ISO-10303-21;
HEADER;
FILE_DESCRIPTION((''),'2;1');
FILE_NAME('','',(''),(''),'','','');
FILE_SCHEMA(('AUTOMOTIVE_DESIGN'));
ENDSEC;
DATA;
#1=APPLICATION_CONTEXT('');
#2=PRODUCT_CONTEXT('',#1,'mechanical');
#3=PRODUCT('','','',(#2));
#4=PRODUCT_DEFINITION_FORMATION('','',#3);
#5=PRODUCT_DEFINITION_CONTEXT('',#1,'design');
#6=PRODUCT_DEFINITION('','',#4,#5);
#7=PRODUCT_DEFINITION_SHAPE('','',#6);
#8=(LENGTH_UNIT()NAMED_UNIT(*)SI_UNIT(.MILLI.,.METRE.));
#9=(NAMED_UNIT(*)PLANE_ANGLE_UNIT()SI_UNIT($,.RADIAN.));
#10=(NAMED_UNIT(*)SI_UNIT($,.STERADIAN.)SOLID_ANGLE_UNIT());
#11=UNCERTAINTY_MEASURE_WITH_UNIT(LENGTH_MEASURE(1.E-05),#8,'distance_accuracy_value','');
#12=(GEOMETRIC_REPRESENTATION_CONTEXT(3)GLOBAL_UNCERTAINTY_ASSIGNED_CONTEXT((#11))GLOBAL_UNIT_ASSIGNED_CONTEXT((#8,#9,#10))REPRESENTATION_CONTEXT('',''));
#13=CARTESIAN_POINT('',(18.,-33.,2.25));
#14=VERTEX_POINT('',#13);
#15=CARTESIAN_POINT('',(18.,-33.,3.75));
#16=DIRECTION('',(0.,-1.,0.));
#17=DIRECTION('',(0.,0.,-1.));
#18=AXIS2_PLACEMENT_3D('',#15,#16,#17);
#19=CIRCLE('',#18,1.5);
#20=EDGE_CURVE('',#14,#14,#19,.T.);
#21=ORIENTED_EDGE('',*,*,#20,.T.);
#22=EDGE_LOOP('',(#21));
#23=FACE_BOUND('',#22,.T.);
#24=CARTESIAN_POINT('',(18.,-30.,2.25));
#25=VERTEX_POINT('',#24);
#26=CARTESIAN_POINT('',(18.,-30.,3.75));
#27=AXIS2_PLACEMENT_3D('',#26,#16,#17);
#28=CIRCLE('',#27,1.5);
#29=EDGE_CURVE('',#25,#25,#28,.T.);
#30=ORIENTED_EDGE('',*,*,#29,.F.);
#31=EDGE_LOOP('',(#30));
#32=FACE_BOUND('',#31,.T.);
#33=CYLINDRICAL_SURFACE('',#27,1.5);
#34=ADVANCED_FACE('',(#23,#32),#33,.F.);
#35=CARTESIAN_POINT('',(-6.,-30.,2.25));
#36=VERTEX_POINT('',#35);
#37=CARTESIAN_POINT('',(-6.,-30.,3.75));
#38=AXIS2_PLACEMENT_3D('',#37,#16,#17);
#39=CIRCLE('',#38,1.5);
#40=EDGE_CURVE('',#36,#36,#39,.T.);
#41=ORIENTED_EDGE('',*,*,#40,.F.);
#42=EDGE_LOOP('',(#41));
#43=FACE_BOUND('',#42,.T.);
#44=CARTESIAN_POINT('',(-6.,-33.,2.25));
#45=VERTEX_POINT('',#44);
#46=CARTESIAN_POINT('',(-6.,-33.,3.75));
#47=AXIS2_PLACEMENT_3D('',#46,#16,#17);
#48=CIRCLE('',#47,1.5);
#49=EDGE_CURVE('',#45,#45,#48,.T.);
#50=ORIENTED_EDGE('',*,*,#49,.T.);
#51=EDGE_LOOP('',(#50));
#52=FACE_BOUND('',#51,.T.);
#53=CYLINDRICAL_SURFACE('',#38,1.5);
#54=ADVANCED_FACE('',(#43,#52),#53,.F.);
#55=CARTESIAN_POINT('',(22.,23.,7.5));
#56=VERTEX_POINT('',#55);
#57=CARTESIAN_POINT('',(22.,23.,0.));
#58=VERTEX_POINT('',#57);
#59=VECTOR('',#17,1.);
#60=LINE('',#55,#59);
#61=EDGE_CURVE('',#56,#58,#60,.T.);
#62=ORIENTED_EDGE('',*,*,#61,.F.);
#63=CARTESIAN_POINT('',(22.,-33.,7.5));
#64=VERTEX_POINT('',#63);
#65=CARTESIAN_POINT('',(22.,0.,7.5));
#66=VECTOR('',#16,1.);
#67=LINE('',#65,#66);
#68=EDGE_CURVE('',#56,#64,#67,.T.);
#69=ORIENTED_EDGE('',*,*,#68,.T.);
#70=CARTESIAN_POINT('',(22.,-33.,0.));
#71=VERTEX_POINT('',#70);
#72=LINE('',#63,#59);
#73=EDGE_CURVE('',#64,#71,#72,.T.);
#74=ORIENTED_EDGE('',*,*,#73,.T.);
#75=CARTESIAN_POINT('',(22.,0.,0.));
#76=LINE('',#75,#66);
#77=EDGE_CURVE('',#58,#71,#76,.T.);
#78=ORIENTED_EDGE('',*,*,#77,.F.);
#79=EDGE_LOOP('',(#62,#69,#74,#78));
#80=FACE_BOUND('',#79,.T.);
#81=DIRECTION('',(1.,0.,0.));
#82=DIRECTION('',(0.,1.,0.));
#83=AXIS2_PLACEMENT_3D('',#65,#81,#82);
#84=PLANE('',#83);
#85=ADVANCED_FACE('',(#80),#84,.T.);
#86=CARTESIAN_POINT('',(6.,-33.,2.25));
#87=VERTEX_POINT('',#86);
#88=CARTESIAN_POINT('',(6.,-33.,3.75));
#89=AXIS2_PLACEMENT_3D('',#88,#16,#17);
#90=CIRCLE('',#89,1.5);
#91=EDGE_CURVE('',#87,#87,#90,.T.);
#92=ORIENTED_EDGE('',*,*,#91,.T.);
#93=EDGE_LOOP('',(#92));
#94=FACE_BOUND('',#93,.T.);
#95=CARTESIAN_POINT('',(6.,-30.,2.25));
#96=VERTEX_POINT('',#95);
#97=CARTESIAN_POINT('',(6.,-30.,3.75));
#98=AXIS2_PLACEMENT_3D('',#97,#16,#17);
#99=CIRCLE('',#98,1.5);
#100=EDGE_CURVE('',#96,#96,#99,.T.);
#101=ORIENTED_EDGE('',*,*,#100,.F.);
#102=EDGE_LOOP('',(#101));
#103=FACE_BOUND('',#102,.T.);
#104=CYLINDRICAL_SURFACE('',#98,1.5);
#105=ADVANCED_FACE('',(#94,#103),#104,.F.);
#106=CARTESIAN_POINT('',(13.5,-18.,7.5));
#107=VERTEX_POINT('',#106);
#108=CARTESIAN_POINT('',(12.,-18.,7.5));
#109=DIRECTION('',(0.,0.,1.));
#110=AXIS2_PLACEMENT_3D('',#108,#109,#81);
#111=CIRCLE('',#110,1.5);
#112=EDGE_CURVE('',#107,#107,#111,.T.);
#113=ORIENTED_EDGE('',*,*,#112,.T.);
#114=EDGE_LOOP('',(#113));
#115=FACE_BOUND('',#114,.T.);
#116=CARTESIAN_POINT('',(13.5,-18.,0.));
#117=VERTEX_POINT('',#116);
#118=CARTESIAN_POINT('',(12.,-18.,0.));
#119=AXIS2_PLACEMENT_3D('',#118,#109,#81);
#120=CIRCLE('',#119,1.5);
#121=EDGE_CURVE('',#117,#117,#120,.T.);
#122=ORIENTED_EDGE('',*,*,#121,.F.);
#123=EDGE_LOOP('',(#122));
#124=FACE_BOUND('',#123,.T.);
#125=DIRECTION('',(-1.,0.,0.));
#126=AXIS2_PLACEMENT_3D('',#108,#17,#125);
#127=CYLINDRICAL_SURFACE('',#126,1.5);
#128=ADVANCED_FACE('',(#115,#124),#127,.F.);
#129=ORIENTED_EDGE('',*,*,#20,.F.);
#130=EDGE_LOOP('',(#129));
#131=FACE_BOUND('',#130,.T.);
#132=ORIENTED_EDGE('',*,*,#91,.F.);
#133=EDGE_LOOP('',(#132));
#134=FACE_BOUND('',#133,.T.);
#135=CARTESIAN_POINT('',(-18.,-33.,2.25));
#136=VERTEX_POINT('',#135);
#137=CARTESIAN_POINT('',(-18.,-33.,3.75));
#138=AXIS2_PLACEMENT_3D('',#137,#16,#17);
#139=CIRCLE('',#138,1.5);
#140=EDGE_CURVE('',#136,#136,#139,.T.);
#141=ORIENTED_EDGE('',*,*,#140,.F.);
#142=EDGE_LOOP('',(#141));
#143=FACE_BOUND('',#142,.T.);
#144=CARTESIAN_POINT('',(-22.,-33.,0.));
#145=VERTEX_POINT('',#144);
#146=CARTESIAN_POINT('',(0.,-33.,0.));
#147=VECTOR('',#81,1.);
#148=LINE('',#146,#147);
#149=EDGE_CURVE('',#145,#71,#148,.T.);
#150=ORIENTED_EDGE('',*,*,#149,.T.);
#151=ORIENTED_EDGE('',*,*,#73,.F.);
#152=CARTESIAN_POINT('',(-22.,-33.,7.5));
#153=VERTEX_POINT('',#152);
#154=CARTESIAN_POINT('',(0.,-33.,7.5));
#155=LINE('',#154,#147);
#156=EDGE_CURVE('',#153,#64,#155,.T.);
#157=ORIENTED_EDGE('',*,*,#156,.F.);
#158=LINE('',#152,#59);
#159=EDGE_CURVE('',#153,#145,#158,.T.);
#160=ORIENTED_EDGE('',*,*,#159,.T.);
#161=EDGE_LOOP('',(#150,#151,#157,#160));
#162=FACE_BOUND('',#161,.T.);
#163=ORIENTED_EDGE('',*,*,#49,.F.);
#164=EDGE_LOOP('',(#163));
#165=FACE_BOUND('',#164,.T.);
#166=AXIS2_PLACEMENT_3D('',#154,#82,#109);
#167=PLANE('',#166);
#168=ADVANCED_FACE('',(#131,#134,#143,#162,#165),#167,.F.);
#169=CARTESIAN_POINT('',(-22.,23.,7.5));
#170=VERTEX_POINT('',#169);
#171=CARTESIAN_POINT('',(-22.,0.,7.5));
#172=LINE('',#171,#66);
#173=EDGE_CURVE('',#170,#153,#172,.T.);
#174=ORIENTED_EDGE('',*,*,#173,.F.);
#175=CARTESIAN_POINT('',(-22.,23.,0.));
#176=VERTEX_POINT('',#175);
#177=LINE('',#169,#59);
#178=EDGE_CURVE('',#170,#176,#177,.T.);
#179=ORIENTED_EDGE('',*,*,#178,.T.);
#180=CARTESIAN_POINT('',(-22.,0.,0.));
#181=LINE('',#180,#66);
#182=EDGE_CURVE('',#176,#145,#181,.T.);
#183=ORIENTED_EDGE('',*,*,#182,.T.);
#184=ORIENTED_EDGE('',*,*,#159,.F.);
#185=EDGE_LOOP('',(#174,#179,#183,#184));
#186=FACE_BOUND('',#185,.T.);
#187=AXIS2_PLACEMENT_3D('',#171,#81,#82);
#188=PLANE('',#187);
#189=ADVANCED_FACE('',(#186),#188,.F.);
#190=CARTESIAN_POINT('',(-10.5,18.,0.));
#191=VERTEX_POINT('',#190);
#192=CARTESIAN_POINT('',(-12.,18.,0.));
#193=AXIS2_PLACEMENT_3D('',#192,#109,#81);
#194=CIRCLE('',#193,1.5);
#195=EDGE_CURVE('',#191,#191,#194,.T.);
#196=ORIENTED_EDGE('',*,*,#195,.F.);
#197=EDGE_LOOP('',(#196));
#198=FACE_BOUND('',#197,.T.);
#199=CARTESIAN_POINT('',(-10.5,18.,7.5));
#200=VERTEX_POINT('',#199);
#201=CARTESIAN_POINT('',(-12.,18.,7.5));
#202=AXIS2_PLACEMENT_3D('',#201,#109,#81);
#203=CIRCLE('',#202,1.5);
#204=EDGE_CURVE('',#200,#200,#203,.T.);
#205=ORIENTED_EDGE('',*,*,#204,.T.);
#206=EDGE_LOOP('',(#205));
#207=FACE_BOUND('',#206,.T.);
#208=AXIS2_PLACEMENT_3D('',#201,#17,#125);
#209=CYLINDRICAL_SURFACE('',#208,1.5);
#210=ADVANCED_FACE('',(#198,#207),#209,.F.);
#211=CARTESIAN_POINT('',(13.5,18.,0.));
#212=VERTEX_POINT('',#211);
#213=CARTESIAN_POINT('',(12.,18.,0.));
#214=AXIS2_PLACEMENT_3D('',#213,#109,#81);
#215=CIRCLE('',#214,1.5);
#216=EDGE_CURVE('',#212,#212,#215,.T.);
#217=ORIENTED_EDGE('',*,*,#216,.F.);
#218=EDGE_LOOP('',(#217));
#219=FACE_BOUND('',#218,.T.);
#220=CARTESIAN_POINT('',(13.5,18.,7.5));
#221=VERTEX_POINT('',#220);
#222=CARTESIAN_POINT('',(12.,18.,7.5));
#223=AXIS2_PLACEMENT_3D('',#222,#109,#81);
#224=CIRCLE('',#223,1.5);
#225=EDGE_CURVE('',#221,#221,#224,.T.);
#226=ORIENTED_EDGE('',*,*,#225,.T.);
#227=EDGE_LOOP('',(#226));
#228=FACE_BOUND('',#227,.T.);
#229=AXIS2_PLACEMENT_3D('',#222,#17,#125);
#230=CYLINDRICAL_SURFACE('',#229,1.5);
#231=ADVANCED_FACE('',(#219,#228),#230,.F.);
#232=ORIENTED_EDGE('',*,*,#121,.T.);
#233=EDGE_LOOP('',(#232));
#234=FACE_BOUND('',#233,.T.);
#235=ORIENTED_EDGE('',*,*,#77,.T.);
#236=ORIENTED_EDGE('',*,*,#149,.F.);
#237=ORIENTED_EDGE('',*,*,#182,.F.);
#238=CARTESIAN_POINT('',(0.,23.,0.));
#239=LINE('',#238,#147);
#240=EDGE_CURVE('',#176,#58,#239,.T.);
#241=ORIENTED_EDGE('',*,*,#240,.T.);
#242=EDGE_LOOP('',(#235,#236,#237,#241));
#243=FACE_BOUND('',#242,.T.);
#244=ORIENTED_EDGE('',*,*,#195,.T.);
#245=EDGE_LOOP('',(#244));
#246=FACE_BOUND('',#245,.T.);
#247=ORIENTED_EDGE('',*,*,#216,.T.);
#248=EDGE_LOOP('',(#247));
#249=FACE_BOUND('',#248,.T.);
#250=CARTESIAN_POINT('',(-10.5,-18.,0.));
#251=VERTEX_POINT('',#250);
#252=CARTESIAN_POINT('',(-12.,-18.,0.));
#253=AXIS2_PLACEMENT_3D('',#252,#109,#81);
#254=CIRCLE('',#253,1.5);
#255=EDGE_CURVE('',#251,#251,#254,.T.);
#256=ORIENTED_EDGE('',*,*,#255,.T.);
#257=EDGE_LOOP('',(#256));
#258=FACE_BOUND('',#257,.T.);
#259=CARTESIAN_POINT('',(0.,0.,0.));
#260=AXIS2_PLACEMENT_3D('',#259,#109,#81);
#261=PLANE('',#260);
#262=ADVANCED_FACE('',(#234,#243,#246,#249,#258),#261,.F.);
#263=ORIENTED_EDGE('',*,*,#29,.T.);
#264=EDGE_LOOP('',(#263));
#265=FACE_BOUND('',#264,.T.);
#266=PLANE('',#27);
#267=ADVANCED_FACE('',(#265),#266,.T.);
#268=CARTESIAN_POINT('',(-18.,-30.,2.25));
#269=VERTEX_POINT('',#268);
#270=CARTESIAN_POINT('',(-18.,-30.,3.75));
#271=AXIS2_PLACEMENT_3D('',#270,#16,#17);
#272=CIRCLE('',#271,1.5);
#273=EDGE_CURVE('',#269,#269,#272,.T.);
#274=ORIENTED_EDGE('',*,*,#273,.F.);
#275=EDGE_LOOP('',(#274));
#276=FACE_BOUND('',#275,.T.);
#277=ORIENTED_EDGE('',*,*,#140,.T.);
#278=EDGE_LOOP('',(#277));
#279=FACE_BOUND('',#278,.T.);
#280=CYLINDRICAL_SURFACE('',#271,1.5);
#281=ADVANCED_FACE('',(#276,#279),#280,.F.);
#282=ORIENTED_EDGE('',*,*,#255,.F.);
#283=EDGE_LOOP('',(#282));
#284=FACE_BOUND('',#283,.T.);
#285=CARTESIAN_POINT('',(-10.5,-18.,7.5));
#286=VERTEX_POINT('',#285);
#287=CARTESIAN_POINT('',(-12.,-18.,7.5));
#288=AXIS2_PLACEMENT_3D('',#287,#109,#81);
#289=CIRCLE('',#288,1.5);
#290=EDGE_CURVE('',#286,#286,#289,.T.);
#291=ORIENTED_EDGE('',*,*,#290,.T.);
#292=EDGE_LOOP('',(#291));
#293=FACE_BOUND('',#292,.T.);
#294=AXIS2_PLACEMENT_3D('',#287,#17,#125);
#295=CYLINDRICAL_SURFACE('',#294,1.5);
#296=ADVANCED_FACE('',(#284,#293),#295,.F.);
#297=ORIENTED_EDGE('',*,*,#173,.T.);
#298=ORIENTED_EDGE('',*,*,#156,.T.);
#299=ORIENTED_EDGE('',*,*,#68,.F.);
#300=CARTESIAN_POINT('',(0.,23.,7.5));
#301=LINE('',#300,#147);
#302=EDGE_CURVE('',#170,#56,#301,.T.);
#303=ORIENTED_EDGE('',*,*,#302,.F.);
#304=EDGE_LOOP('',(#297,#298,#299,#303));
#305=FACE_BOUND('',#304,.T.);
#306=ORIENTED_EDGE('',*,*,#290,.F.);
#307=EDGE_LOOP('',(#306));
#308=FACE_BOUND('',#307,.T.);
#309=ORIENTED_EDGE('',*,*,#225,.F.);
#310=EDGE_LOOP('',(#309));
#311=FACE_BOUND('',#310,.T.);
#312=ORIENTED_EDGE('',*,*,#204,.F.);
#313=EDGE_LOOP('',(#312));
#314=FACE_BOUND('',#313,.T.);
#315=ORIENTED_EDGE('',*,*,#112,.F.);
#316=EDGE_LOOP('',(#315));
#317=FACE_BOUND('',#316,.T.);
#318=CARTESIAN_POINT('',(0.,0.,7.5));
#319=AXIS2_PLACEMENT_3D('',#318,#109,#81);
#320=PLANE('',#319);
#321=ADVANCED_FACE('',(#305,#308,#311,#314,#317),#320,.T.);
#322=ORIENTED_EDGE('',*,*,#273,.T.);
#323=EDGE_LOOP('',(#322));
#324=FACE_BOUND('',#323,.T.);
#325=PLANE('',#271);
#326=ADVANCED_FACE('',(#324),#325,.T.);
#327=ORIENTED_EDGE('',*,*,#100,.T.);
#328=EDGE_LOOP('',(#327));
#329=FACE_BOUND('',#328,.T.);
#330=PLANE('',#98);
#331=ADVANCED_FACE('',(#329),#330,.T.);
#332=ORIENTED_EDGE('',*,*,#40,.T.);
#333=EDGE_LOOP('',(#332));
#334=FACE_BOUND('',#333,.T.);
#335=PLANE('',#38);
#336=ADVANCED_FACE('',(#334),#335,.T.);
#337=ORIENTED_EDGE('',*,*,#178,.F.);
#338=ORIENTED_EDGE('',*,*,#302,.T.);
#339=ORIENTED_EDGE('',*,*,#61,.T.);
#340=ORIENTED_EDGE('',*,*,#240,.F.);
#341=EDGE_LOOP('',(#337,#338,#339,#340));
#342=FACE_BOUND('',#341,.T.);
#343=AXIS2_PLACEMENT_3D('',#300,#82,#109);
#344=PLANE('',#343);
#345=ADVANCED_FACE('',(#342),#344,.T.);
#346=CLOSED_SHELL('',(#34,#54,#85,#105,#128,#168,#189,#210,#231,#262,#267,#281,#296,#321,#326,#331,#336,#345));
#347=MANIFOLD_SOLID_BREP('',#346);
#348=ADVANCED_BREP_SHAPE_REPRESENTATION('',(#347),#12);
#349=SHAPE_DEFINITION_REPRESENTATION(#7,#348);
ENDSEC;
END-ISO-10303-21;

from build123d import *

# Parameters (mm, degrees)
SKETCH_1_W          = 44
SKETCH_1_H          = 56
SKETCH_1_R          = 1.5
EXTRUDE_1_DEPTH     = 7.5
SKETCH_2_R          = 1.5
CUT_EXTRUDE_1_DEPTH = 3


with BuildPart() as part:
    # 草圖1 → 填料-伸長1 (new body)
    with BuildSketch(Plane.XY):
        with Locations((0, -5)):
            Rectangle(SKETCH_1_W, SKETCH_1_H)
        with Locations((-12, 18)):
            Circle(SKETCH_1_R, mode=Mode.SUBTRACT)
        with Locations((12, 18)):
            Circle(SKETCH_1_R, mode=Mode.SUBTRACT)
        with Locations((12, -18)):
            Circle(SKETCH_1_R, mode=Mode.SUBTRACT)
        with Locations((-12, -18)):
            Circle(SKETCH_1_R, mode=Mode.SUBTRACT)
    extrude(amount=EXTRUDE_1_DEPTH)

    # 草圖2 → 除料-伸長1 (cut)
    with BuildSketch(Plane(origin=(0, -33, 0), x_dir=(-1, 0, 0), z_dir=(0, -1, 0))):
        with Locations(Location((-6, -3.75, 0), (0, 0, 90))):
            Circle(SKETCH_2_R)
        with Locations(Location((-18, -3.75, 0), (0, 0, 90))):
            Circle(SKETCH_2_R)
        with Locations(Location((6, -3.75, 0), (0, 0, 90))):
            Circle(SKETCH_2_R)
        with Locations(Location((18, -3.75, 0), (0, 0, 90))):
            Circle(SKETCH_2_R)
    extrude(amount=-CUT_EXTRUDE_1_DEPTH, mode=Mode.SUBTRACT)


solid = part.part
